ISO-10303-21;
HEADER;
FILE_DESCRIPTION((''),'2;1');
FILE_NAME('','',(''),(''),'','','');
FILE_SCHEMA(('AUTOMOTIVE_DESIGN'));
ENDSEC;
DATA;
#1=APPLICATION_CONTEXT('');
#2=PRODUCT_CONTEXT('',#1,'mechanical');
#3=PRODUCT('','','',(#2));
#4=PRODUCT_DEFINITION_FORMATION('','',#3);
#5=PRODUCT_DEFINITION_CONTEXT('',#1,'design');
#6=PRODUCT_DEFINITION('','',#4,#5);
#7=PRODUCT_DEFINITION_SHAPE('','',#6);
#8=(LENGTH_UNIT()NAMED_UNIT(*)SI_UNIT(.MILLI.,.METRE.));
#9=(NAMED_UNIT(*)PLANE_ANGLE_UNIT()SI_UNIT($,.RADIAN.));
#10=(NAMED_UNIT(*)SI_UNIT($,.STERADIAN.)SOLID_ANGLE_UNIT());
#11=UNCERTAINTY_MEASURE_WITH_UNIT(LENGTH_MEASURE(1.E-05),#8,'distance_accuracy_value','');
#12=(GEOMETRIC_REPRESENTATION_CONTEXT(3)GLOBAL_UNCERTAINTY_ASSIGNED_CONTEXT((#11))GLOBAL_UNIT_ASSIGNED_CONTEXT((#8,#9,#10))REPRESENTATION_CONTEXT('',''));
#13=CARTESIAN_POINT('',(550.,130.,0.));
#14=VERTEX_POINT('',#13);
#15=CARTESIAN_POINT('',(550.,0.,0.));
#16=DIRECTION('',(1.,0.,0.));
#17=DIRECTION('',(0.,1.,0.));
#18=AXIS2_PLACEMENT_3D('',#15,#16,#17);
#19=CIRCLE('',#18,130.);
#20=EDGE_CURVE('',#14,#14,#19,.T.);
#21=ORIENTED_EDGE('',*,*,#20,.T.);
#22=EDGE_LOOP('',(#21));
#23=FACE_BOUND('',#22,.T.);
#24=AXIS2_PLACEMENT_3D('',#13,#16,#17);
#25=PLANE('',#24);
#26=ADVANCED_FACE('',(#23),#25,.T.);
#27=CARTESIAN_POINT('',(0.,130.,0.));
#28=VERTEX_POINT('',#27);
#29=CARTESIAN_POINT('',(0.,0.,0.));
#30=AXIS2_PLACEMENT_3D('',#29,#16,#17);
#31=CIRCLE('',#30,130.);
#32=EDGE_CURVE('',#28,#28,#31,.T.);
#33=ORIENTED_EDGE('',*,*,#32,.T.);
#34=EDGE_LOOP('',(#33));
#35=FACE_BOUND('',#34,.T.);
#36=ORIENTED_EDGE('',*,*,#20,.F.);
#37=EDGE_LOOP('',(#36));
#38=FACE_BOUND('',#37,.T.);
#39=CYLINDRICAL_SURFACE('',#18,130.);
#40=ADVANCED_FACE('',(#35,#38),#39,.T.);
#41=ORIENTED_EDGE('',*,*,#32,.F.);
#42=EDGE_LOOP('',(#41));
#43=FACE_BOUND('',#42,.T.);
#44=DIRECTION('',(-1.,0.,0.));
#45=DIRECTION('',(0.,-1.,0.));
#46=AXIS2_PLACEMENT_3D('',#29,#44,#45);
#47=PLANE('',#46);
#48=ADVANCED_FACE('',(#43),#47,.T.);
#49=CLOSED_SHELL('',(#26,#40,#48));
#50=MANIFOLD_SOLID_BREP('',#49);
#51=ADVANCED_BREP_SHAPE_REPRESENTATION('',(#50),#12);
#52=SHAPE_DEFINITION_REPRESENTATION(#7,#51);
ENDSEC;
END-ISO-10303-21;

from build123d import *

# Parameters (mm, degrees)
SKETCH1_W = 550
SKETCH1_H = 130


with BuildPart() as part:
    # Sketch1 → Revolve1 (revolve)
    with BuildSketch(Plane.XY):
        with Locations((275, 65)):
            Rectangle(SKETCH1_W, SKETCH1_H)
    revolve(axis=Axis((550, 0, 0), (-1, 0, 0)))


solid = part.part
